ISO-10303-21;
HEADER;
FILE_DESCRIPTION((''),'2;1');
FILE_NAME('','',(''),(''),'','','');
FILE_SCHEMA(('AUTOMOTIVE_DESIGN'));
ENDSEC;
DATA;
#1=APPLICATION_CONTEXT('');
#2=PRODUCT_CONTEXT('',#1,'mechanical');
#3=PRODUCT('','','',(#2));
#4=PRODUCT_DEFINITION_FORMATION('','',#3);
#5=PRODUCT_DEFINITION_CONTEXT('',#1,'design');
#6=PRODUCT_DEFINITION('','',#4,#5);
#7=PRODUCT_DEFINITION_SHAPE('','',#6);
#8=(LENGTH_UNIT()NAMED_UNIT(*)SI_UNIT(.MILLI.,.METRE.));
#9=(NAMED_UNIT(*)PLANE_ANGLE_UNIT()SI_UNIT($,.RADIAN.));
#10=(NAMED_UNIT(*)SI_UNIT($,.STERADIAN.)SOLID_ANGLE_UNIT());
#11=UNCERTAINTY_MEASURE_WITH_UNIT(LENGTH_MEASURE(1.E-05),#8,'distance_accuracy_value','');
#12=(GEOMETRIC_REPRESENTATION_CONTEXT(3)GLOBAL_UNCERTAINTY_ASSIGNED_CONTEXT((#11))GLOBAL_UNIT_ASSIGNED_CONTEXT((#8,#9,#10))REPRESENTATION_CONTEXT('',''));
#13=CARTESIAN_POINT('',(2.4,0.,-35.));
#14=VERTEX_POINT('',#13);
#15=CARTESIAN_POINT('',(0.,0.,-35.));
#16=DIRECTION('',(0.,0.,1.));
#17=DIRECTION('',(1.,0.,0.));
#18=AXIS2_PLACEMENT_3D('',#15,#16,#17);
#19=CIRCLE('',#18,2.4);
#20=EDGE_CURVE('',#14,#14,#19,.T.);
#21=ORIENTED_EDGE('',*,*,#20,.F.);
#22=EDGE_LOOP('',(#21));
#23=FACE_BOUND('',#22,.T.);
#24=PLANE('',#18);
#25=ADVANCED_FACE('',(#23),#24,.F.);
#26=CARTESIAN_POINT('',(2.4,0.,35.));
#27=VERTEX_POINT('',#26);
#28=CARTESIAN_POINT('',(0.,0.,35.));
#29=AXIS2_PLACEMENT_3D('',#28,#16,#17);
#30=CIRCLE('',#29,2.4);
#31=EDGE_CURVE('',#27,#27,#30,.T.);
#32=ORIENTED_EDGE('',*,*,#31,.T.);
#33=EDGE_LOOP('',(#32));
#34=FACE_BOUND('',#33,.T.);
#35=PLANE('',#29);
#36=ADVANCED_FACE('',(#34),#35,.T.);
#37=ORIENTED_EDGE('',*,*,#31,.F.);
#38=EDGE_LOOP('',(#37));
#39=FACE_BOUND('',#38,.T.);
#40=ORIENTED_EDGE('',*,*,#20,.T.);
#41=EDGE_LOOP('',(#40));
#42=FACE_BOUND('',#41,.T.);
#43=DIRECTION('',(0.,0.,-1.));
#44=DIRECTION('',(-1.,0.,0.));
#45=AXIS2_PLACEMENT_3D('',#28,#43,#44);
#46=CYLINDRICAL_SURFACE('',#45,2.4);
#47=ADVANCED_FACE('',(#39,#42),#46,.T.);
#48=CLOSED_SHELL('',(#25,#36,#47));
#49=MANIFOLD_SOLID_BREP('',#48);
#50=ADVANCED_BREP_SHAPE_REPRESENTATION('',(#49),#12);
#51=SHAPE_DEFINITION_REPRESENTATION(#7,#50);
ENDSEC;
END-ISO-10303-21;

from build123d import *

# Parameters (mm, degrees)
SKETCH1_R           = 2.4
BOSS_EXTRUDE1_DEPTH = 35


with BuildPart() as part:
    # Sketch1 → Boss-Extrude1 (new body, symmetric)
    with BuildSketch(Plane.XY):
        Circle(SKETCH1_R)
    extrude(amount=BOSS_EXTRUDE1_DEPTH, both=True)


solid = part.part
